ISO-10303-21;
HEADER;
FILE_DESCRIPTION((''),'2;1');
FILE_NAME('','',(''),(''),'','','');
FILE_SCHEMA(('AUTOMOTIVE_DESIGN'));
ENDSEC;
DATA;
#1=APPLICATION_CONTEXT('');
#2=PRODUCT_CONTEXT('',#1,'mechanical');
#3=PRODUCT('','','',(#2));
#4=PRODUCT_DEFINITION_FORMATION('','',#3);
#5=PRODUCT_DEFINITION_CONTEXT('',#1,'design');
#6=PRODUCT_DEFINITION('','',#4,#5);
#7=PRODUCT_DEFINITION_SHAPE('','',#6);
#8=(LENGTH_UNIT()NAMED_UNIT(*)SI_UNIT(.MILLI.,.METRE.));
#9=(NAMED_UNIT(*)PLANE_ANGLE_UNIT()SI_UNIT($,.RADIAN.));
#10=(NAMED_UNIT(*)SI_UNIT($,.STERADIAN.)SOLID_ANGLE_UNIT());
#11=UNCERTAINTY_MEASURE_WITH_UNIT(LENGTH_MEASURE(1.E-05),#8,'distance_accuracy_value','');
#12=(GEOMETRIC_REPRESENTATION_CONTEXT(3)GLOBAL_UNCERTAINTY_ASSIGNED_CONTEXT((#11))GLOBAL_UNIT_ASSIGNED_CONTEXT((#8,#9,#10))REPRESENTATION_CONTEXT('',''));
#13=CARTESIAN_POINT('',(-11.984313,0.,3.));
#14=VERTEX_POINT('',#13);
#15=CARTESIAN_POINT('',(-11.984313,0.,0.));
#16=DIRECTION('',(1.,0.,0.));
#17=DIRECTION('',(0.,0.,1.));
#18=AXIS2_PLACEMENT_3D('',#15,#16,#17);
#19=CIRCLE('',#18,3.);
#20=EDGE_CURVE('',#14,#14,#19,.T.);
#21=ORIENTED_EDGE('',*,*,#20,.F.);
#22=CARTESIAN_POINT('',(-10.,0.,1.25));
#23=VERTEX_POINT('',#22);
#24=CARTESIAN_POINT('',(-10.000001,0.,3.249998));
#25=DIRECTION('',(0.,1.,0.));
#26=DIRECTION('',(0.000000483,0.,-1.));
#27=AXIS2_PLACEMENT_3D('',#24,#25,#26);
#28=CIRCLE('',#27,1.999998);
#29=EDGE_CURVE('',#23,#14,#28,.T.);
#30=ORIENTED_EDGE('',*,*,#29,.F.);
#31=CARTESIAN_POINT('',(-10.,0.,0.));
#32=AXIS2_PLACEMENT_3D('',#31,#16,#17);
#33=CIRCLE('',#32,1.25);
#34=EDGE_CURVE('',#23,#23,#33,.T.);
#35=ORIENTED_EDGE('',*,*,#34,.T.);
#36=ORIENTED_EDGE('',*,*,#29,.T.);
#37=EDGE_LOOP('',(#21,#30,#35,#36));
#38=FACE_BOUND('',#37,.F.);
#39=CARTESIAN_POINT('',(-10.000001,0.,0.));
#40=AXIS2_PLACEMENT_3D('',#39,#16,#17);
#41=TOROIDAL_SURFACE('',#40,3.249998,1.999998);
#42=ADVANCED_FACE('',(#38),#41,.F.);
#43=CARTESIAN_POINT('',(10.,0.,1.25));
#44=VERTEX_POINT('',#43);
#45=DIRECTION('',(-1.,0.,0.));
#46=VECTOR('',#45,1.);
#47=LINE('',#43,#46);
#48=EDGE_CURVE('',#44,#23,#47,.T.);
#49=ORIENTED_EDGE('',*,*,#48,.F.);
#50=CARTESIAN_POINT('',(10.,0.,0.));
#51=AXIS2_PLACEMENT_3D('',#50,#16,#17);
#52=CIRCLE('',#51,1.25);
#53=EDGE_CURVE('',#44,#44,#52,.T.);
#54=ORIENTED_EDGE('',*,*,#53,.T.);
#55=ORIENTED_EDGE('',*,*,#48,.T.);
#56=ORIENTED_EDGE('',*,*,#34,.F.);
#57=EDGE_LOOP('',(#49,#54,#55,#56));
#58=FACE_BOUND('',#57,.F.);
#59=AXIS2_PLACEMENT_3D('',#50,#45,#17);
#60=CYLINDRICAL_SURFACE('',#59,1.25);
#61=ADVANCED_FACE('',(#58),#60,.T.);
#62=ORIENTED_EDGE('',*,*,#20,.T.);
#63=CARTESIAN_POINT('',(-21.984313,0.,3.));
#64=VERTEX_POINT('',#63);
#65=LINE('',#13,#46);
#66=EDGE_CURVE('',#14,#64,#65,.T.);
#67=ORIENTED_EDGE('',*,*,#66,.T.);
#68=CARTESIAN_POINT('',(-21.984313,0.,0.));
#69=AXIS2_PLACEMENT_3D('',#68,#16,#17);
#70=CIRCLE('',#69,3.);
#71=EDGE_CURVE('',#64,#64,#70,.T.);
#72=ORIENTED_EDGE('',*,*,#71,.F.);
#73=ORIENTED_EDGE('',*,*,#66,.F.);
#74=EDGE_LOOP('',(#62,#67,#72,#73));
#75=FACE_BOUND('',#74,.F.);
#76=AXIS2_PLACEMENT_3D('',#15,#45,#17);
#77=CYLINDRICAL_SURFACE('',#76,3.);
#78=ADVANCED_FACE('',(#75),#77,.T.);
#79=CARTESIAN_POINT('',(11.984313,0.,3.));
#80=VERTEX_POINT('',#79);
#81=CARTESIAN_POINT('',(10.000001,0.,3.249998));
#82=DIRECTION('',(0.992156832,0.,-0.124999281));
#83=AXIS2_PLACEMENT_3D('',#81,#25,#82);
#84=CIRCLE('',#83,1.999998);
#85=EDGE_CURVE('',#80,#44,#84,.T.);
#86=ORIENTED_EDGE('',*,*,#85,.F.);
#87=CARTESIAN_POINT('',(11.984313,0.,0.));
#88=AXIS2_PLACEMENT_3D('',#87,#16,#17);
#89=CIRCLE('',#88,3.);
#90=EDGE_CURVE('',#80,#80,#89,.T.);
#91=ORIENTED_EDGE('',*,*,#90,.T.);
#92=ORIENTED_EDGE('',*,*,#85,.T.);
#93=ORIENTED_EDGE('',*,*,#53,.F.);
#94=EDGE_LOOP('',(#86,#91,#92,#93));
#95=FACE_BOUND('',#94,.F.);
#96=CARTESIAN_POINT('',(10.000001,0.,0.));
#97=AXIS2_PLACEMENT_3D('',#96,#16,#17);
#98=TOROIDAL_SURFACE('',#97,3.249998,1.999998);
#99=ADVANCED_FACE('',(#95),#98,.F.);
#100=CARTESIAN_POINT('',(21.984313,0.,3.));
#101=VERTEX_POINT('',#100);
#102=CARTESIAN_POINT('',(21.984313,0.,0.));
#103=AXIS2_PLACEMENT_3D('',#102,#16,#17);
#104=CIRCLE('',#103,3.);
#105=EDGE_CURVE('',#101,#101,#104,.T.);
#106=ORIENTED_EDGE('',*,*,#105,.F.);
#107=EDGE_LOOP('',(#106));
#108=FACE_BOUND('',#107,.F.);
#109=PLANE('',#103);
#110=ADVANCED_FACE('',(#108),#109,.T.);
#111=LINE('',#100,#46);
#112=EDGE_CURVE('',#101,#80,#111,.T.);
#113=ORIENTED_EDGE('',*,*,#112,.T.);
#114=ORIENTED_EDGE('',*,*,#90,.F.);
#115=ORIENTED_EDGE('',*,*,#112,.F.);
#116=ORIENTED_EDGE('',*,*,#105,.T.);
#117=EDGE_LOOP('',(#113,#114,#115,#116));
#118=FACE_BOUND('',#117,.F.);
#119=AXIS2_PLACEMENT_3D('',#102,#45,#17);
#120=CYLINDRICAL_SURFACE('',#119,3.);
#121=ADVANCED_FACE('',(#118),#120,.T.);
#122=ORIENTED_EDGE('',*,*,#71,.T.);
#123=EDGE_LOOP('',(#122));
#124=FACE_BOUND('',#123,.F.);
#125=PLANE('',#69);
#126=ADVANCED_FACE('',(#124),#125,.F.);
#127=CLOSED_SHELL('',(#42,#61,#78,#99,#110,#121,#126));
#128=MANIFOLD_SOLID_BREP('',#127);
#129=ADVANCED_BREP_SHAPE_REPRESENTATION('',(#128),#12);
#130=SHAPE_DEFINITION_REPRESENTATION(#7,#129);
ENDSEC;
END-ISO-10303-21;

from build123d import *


with BuildPart() as f1:
    # F0 (on Front) → F1 (revolve)
    with BuildSketch(Plane.XZ):
        with BuildLine():
            Line((-21.984313, 0), (0, 0))
            Line((0, 0), (0, 1.25))
            Line((0, 1.25), (-10, 1.25))
            ThreePointArc((-10, 1.25), (-11.322876, 1.75), (-11.984313, 3))
            Line((-11.984313, 3), (-21.984313, 3))
            Line((-21.984313, 3), (-21.984313, 0))
        make_face()
        with BuildLine():
            Line((0, 1.25), (0, 0))
            Line((0, 0), (21.984313, 0))
            Line((21.984313, 0), (21.984313, 3))
            Line((21.984313, 3), (11.984313, 3))
            ThreePointArc((11.984313, 3), (11.322876, 1.75), (10, 1.25))
            Line((10, 1.25), (0, 1.25))
        make_face()
    revolve(axis=Axis((0, 0, 0), (1, 0, 0)))


solid = f1.part
